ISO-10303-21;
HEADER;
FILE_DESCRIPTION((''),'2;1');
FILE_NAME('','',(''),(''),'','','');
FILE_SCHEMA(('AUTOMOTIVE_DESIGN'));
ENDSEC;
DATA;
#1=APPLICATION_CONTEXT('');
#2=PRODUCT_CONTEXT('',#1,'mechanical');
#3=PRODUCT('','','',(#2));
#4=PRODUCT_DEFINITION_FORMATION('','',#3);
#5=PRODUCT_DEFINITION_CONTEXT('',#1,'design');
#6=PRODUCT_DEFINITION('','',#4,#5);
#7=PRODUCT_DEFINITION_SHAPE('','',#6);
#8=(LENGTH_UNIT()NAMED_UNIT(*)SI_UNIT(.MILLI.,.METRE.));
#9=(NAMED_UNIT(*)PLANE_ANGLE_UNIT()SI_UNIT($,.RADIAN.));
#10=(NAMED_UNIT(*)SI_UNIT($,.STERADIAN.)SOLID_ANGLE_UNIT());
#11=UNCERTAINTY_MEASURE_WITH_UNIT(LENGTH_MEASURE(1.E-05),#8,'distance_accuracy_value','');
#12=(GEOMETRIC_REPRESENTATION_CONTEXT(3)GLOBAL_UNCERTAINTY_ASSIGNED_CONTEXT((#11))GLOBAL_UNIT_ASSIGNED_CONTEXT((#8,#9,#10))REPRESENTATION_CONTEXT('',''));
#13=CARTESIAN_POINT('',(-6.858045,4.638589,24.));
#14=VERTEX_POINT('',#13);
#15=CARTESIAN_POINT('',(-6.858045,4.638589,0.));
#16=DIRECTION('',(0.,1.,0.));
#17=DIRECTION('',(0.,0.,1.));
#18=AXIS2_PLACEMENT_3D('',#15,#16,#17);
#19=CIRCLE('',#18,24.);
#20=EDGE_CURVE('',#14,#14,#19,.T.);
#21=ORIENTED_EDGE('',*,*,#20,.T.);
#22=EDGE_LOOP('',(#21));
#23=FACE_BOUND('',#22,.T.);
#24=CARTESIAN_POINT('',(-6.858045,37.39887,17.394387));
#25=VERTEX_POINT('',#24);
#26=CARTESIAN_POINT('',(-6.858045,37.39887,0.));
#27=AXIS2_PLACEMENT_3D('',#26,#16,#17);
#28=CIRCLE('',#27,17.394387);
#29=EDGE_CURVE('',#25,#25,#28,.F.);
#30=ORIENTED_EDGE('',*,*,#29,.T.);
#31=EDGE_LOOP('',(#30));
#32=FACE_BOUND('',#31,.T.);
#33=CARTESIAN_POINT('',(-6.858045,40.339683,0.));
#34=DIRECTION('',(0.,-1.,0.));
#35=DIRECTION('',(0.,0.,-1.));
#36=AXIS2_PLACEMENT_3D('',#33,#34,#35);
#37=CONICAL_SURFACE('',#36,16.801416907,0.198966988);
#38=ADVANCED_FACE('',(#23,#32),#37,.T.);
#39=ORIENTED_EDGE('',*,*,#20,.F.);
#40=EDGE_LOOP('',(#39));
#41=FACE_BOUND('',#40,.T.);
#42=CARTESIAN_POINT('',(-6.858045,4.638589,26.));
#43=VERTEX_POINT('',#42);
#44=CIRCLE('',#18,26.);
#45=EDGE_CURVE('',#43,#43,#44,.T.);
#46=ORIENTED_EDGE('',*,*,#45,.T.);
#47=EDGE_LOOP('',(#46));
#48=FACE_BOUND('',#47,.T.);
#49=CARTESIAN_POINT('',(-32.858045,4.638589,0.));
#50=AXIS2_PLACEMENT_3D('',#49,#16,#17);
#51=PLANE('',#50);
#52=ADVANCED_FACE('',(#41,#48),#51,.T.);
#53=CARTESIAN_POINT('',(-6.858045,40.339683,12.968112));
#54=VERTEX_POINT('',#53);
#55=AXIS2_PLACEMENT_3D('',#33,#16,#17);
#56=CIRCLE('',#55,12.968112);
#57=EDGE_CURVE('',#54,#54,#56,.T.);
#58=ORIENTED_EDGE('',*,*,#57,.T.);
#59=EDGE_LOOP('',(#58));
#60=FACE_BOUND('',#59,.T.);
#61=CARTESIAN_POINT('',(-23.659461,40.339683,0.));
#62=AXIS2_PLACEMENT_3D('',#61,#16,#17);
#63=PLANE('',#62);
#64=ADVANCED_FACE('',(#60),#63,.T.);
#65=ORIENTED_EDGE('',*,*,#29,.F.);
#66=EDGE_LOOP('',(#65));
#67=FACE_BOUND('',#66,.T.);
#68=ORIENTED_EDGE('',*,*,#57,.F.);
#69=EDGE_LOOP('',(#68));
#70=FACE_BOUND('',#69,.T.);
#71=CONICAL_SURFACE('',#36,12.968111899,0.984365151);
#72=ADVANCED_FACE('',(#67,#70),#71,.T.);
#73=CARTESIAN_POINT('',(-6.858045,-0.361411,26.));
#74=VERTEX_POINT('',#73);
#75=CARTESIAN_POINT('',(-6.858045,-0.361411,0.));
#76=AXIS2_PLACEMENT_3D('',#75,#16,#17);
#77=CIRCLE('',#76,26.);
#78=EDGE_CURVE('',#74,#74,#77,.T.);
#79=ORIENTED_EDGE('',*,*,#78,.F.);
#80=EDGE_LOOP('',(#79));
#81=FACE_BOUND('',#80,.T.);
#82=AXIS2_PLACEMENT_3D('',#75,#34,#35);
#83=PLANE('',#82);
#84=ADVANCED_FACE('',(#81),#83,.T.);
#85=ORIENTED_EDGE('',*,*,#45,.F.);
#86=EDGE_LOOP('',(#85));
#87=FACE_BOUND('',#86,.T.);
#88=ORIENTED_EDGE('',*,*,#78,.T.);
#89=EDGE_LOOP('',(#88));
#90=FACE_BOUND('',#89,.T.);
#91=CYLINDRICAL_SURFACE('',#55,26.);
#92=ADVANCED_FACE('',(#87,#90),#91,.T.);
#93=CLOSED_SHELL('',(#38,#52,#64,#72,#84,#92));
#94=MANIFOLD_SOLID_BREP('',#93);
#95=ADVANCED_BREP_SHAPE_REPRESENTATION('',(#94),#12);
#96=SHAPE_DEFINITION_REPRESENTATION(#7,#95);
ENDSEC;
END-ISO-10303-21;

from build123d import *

# Parameters (mm, degrees)
CHAMFER1_SIZE  = 3
CHAMFER1_SIZE2 = 3.8333050077869637


with BuildPart() as part:
    # Sketch3 → Revolve1 (revolve)
    with BuildSketch(Plane.XY, mode=Mode.PRIVATE) as revolve1_sk:
        Polygon((-6.858044589676881, -0.3614112237926669), (-32.858044589676894, -0.36141122379267), (-32.858044589676894, 4.63858877620733), (-30.858044589676894, 4.63858877620733), (-25.010635386731394, 33.63858877620733), (-23.659461496582075, 40.33968347547897), (-6.858044589676881, 40.339683475478964), align=None)
    revolve(revolve1_sk.sketch.rotate(Axis((-6.858044589676881, 40.339683475478964, 0), (0, -1, 0)), 270), axis=Axis((-6.858044589676881, 40.339683475478964, 0), (0, -1, 0)))

    # Chamfer1
    chamfer1_edges = [part.edges().sort_by_distance(p)[0] for p in [
        (-6.8580445896768865, 40.33968347547897, -16.801416906905196),
    ]]
    chamfer1_side = [part.faces().sort_by_distance(p)[0] for p in [
        (-6.858044589676888, 22.489136125843153, -20.400708453452605),
    ]]
    chamfer(chamfer1_edges, length=CHAMFER1_SIZE, length2=CHAMFER1_SIZE2, reference=chamfer1_side[0])


solid = part.part
